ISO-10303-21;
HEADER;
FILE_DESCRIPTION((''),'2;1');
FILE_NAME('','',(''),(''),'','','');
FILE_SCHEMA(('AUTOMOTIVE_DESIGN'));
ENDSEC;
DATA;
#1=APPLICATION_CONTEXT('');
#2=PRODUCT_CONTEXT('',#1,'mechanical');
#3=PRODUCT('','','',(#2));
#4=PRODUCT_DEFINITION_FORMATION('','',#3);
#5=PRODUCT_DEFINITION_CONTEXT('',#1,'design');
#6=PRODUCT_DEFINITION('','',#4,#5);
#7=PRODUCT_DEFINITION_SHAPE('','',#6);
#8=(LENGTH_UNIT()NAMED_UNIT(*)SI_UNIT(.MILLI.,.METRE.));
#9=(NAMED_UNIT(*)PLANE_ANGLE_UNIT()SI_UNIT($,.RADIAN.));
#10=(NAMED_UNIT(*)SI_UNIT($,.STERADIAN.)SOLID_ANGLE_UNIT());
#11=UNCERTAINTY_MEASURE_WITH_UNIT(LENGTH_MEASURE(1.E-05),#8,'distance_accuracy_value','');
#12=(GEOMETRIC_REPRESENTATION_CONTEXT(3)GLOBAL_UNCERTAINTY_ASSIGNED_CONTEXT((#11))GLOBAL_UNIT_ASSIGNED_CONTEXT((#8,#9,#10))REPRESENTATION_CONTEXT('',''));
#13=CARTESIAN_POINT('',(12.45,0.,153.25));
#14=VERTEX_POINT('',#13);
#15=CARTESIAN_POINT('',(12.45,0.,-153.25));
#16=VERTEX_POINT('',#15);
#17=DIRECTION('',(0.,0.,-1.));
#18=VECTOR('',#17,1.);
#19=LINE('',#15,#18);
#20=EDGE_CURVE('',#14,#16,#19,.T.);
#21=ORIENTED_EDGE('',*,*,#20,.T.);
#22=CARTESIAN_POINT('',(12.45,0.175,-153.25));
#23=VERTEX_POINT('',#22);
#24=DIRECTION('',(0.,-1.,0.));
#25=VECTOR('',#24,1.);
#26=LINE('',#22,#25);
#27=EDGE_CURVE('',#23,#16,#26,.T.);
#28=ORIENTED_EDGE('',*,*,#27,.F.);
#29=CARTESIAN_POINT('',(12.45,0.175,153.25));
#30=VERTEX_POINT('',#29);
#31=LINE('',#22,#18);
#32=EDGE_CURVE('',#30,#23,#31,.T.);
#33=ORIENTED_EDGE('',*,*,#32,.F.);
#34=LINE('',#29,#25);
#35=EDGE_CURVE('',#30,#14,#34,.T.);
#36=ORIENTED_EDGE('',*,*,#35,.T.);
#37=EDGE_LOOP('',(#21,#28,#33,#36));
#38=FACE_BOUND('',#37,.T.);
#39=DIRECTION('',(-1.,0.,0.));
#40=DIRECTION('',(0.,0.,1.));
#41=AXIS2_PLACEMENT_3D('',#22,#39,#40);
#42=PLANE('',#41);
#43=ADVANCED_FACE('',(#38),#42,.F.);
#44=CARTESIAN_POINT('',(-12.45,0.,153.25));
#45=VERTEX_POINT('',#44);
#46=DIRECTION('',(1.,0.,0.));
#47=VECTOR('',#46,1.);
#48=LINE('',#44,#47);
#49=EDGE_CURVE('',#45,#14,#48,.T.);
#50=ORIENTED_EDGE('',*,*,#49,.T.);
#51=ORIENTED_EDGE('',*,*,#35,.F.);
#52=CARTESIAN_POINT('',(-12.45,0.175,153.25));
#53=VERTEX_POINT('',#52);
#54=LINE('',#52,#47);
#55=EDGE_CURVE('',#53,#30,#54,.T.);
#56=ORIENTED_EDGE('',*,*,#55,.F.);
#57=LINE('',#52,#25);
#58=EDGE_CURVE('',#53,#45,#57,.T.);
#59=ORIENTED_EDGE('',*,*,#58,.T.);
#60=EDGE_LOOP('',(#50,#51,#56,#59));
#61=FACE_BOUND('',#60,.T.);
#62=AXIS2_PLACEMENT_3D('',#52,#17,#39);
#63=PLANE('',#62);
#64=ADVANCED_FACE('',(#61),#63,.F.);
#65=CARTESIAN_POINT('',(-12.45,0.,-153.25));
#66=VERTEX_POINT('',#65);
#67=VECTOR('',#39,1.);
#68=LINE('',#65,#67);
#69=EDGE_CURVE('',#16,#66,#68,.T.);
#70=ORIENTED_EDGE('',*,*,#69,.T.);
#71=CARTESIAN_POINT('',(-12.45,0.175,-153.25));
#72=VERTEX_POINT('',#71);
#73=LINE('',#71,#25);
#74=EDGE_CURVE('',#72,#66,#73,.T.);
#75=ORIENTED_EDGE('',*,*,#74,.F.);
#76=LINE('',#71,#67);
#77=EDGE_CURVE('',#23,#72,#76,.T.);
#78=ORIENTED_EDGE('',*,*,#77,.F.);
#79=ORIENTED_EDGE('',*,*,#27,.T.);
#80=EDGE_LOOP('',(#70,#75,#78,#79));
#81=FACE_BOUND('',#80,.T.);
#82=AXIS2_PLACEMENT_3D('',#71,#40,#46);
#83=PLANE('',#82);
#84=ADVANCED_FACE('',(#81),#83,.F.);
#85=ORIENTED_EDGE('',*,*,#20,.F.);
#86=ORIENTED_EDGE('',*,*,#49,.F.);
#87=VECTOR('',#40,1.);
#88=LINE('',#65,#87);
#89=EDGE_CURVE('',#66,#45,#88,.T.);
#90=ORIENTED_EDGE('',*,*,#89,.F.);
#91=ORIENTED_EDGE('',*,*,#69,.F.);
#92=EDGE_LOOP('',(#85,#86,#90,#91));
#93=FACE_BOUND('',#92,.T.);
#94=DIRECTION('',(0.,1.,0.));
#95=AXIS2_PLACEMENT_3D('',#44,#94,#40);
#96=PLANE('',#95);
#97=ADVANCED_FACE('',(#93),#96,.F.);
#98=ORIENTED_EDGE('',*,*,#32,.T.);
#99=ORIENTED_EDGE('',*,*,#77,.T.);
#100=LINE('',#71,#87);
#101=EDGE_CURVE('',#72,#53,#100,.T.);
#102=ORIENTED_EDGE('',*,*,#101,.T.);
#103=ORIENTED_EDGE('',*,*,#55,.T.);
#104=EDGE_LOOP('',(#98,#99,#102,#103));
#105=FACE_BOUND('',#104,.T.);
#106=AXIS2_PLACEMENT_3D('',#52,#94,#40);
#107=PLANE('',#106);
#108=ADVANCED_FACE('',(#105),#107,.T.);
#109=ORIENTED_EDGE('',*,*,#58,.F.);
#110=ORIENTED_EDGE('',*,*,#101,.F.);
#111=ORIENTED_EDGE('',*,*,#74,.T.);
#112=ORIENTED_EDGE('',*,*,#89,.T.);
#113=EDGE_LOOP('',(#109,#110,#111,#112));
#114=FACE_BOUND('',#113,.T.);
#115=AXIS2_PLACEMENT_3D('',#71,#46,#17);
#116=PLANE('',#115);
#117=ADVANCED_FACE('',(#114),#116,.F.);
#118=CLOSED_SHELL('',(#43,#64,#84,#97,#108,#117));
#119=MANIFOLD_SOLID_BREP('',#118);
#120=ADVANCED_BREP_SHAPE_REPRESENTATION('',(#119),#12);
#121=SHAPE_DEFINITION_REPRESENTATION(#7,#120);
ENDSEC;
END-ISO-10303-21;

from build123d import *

# Parameters (mm, degrees)
SKETCH1_W      = 24.9
SKETCH1_H      = 306.5
EXTRUDE1_DEPTH = 0.175


with BuildPart() as part:
    # Sketch1 → Extrude1 (new body)
    with BuildSketch(Plane(origin=(0, 0, 0), x_dir=(1, 0, 0), z_dir=(0, 1, 0))):
        Rectangle(SKETCH1_W, SKETCH1_H)
    extrude(amount=EXTRUDE1_DEPTH)


solid = part.part
